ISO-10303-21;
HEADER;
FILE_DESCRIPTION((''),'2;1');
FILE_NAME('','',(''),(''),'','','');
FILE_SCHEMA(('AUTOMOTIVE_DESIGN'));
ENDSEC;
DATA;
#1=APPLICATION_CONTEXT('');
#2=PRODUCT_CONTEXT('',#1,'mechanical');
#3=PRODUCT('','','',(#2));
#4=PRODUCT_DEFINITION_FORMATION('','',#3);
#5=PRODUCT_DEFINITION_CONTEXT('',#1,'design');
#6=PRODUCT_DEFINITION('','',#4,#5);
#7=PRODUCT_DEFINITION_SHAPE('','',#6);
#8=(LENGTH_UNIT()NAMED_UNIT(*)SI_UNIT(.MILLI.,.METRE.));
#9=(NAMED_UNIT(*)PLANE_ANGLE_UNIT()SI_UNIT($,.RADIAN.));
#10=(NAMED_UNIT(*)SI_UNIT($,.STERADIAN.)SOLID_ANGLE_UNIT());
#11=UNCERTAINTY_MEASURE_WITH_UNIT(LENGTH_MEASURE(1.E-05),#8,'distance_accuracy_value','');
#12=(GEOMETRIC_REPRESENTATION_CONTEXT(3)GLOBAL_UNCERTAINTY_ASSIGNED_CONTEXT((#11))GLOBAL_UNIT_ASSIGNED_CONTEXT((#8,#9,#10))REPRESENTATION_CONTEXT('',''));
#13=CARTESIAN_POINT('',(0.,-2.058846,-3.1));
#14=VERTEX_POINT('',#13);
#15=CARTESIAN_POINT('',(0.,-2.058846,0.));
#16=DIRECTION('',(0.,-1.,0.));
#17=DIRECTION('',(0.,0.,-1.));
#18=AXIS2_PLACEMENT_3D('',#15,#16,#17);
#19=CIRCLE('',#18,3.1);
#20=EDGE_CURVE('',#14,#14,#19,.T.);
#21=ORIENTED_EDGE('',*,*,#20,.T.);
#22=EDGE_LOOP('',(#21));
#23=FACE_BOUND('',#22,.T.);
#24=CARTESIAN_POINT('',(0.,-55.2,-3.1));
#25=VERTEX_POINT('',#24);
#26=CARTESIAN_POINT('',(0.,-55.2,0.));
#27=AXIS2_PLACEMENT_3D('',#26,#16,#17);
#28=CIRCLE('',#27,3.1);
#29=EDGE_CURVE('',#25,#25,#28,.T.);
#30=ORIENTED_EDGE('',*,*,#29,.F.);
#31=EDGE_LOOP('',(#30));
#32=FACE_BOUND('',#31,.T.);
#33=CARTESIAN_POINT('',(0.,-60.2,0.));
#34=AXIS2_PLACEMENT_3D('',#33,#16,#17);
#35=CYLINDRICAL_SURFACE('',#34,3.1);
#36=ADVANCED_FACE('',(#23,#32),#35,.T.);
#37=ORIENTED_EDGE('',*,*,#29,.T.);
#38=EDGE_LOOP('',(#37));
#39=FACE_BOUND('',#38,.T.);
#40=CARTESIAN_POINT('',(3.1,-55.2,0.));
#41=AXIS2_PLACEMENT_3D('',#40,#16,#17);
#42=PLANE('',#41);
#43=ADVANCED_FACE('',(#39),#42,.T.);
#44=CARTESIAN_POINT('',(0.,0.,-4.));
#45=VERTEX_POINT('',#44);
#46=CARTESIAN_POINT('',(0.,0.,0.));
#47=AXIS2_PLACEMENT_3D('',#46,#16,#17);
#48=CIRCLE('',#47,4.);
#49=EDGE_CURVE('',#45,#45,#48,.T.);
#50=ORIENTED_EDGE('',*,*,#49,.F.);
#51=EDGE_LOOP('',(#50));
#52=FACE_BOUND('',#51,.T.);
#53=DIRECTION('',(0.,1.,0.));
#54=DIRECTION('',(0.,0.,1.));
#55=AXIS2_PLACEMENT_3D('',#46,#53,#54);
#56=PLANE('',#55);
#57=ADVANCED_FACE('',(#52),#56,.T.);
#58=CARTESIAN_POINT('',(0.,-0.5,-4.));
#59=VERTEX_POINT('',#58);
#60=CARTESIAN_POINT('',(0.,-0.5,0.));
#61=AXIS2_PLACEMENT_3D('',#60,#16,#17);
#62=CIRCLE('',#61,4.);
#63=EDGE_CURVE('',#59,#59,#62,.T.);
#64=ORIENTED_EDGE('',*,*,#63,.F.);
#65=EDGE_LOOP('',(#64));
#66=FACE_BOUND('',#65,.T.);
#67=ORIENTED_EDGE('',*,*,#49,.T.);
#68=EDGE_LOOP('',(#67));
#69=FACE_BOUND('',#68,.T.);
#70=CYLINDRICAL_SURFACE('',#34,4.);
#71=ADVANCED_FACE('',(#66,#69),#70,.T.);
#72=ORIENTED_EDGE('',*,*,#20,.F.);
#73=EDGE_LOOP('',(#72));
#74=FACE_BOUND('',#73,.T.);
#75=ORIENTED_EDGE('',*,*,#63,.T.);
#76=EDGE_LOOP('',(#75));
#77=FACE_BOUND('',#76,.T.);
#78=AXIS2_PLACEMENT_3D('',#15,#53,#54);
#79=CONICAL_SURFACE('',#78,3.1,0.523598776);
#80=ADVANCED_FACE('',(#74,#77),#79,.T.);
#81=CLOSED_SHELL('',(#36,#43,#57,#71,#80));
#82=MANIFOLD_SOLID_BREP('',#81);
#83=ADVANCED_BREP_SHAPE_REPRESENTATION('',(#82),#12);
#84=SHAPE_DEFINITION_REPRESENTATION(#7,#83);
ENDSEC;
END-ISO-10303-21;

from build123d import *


with BuildPart() as part:
    # Sketch1 → Revolve1 (revolve)
    with BuildSketch(Plane.XY, mode=Mode.PRIVATE) as revolve1_sk:
        Polygon((0, 0), (4, 0), (4, -0.5), (3.1, -2.058845727), (3.1, -55.2), (0, -55.2), align=None)
    revolve(revolve1_sk.sketch.rotate(Axis((0, -60.2, 0), (0, 1, 0)), 90), axis=Axis((0, -60.2, 0), (0, 1, 0)))


solid = part.part
